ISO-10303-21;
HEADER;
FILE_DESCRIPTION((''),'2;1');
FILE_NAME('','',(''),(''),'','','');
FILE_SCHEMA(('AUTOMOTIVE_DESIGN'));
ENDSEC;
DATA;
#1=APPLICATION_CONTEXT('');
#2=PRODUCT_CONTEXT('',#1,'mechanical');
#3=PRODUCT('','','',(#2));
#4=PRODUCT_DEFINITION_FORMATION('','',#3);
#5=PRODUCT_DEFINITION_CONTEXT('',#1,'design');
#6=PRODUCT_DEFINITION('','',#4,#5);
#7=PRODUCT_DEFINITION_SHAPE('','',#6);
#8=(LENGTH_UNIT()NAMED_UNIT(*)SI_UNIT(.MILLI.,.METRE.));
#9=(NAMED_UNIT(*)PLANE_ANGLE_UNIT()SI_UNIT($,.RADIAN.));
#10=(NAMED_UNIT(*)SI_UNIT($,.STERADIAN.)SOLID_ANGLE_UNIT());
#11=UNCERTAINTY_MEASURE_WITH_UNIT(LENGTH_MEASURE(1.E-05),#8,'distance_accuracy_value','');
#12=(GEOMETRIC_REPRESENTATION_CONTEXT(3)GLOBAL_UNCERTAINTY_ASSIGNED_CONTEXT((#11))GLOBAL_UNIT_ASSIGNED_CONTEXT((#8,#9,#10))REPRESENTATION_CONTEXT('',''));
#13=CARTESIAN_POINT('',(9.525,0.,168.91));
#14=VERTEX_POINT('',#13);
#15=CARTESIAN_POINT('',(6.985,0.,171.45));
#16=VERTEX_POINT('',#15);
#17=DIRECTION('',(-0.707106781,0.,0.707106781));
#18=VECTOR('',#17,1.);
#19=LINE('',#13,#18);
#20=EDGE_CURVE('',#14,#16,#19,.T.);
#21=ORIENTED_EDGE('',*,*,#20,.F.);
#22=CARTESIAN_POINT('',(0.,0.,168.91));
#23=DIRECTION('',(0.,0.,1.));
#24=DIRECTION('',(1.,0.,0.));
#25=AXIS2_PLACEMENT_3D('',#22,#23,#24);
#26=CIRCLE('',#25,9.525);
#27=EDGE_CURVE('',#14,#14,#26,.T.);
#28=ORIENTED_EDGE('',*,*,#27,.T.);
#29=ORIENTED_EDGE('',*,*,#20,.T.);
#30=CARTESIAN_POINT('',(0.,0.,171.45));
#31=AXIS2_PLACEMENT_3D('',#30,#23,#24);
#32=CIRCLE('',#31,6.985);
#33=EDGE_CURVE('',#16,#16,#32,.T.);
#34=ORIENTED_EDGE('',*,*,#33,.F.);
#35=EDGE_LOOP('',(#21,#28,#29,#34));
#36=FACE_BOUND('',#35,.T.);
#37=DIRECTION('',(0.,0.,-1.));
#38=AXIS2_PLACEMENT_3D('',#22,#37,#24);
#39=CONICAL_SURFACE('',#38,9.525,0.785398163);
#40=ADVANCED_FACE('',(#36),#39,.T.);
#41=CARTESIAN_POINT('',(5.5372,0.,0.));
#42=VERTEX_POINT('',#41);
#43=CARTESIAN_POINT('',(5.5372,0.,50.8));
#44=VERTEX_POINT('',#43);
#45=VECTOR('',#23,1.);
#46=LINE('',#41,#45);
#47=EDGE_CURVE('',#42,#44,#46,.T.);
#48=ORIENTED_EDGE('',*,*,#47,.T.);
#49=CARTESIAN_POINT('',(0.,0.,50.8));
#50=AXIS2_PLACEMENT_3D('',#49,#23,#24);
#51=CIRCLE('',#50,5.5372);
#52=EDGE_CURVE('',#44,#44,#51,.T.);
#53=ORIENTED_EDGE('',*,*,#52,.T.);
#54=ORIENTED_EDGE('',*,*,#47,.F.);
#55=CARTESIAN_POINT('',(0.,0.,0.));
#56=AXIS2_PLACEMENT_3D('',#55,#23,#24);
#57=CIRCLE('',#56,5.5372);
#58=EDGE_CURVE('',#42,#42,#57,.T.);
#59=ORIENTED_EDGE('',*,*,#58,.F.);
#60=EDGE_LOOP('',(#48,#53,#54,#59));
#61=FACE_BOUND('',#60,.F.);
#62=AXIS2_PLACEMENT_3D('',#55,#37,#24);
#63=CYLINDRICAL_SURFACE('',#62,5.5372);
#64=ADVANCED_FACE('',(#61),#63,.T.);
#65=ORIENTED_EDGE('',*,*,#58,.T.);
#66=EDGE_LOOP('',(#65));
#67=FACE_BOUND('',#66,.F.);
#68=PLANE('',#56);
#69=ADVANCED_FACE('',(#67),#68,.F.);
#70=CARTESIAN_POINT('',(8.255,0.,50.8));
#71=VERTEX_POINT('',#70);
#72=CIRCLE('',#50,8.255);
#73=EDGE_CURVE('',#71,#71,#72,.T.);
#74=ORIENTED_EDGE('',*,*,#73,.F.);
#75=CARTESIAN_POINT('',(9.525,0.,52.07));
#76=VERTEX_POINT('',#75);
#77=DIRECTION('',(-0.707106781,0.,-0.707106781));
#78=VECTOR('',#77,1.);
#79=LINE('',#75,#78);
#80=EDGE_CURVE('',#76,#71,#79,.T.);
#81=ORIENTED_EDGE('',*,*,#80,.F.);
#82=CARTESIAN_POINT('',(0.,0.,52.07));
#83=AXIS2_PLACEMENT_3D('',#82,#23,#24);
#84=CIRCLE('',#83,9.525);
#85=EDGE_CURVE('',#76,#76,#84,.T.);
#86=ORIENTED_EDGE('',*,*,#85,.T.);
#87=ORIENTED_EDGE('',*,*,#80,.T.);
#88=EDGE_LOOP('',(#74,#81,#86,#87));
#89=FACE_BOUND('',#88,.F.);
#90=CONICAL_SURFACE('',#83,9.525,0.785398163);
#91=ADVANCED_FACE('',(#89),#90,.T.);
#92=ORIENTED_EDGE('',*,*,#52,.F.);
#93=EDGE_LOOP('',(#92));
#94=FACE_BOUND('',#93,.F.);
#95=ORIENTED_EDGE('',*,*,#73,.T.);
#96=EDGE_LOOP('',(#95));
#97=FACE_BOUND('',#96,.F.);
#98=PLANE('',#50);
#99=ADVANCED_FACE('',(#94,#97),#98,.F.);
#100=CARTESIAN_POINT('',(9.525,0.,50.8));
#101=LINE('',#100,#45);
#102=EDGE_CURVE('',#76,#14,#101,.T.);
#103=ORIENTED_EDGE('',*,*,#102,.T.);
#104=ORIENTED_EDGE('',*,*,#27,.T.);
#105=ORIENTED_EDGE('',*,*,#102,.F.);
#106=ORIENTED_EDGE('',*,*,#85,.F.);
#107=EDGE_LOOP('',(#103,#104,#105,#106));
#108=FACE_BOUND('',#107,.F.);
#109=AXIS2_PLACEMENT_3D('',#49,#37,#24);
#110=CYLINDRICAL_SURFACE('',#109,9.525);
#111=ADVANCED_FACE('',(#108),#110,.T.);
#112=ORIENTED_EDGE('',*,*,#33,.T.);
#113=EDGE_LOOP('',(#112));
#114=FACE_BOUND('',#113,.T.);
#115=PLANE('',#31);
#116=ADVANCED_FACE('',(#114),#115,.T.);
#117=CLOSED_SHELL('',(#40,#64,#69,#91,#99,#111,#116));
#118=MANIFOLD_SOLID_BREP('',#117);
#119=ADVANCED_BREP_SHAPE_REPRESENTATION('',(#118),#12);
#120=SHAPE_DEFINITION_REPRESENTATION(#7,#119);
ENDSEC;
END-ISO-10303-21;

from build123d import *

# Parameters (mm, degrees)
F0_R     = 5.5372
F1_DEPTH = 50.8
F2_R     = 9.525
F3_DEPTH = 120.65
F4_SIZE  = 2.54
F5_SIZE  = 1.27


with BuildPart() as f1:
    # F0 (on Top) → F1 (new body)
    with BuildSketch(Plane.XY):
        Circle(F0_R)
    extrude(amount=F1_DEPTH)

    # F2 (on face) → F3 (join)
    with BuildSketch(Plane.XY.offset(50.8)):
        Circle(F2_R)
    extrude(amount=F3_DEPTH)

    # F4
    f4_edges = [f1.edges().sort_by_distance(p)[0] for p in [
        (-9.525, 0, 171.45),
    ]]
    chamfer(f4_edges, length=F4_SIZE)

    # F5
    f5_edges = [f1.edges().sort_by_distance(p)[0] for p in [
        (-9.525, 0, 50.8),
    ]]
    chamfer(f5_edges, length=F5_SIZE)


solid = f1.part
